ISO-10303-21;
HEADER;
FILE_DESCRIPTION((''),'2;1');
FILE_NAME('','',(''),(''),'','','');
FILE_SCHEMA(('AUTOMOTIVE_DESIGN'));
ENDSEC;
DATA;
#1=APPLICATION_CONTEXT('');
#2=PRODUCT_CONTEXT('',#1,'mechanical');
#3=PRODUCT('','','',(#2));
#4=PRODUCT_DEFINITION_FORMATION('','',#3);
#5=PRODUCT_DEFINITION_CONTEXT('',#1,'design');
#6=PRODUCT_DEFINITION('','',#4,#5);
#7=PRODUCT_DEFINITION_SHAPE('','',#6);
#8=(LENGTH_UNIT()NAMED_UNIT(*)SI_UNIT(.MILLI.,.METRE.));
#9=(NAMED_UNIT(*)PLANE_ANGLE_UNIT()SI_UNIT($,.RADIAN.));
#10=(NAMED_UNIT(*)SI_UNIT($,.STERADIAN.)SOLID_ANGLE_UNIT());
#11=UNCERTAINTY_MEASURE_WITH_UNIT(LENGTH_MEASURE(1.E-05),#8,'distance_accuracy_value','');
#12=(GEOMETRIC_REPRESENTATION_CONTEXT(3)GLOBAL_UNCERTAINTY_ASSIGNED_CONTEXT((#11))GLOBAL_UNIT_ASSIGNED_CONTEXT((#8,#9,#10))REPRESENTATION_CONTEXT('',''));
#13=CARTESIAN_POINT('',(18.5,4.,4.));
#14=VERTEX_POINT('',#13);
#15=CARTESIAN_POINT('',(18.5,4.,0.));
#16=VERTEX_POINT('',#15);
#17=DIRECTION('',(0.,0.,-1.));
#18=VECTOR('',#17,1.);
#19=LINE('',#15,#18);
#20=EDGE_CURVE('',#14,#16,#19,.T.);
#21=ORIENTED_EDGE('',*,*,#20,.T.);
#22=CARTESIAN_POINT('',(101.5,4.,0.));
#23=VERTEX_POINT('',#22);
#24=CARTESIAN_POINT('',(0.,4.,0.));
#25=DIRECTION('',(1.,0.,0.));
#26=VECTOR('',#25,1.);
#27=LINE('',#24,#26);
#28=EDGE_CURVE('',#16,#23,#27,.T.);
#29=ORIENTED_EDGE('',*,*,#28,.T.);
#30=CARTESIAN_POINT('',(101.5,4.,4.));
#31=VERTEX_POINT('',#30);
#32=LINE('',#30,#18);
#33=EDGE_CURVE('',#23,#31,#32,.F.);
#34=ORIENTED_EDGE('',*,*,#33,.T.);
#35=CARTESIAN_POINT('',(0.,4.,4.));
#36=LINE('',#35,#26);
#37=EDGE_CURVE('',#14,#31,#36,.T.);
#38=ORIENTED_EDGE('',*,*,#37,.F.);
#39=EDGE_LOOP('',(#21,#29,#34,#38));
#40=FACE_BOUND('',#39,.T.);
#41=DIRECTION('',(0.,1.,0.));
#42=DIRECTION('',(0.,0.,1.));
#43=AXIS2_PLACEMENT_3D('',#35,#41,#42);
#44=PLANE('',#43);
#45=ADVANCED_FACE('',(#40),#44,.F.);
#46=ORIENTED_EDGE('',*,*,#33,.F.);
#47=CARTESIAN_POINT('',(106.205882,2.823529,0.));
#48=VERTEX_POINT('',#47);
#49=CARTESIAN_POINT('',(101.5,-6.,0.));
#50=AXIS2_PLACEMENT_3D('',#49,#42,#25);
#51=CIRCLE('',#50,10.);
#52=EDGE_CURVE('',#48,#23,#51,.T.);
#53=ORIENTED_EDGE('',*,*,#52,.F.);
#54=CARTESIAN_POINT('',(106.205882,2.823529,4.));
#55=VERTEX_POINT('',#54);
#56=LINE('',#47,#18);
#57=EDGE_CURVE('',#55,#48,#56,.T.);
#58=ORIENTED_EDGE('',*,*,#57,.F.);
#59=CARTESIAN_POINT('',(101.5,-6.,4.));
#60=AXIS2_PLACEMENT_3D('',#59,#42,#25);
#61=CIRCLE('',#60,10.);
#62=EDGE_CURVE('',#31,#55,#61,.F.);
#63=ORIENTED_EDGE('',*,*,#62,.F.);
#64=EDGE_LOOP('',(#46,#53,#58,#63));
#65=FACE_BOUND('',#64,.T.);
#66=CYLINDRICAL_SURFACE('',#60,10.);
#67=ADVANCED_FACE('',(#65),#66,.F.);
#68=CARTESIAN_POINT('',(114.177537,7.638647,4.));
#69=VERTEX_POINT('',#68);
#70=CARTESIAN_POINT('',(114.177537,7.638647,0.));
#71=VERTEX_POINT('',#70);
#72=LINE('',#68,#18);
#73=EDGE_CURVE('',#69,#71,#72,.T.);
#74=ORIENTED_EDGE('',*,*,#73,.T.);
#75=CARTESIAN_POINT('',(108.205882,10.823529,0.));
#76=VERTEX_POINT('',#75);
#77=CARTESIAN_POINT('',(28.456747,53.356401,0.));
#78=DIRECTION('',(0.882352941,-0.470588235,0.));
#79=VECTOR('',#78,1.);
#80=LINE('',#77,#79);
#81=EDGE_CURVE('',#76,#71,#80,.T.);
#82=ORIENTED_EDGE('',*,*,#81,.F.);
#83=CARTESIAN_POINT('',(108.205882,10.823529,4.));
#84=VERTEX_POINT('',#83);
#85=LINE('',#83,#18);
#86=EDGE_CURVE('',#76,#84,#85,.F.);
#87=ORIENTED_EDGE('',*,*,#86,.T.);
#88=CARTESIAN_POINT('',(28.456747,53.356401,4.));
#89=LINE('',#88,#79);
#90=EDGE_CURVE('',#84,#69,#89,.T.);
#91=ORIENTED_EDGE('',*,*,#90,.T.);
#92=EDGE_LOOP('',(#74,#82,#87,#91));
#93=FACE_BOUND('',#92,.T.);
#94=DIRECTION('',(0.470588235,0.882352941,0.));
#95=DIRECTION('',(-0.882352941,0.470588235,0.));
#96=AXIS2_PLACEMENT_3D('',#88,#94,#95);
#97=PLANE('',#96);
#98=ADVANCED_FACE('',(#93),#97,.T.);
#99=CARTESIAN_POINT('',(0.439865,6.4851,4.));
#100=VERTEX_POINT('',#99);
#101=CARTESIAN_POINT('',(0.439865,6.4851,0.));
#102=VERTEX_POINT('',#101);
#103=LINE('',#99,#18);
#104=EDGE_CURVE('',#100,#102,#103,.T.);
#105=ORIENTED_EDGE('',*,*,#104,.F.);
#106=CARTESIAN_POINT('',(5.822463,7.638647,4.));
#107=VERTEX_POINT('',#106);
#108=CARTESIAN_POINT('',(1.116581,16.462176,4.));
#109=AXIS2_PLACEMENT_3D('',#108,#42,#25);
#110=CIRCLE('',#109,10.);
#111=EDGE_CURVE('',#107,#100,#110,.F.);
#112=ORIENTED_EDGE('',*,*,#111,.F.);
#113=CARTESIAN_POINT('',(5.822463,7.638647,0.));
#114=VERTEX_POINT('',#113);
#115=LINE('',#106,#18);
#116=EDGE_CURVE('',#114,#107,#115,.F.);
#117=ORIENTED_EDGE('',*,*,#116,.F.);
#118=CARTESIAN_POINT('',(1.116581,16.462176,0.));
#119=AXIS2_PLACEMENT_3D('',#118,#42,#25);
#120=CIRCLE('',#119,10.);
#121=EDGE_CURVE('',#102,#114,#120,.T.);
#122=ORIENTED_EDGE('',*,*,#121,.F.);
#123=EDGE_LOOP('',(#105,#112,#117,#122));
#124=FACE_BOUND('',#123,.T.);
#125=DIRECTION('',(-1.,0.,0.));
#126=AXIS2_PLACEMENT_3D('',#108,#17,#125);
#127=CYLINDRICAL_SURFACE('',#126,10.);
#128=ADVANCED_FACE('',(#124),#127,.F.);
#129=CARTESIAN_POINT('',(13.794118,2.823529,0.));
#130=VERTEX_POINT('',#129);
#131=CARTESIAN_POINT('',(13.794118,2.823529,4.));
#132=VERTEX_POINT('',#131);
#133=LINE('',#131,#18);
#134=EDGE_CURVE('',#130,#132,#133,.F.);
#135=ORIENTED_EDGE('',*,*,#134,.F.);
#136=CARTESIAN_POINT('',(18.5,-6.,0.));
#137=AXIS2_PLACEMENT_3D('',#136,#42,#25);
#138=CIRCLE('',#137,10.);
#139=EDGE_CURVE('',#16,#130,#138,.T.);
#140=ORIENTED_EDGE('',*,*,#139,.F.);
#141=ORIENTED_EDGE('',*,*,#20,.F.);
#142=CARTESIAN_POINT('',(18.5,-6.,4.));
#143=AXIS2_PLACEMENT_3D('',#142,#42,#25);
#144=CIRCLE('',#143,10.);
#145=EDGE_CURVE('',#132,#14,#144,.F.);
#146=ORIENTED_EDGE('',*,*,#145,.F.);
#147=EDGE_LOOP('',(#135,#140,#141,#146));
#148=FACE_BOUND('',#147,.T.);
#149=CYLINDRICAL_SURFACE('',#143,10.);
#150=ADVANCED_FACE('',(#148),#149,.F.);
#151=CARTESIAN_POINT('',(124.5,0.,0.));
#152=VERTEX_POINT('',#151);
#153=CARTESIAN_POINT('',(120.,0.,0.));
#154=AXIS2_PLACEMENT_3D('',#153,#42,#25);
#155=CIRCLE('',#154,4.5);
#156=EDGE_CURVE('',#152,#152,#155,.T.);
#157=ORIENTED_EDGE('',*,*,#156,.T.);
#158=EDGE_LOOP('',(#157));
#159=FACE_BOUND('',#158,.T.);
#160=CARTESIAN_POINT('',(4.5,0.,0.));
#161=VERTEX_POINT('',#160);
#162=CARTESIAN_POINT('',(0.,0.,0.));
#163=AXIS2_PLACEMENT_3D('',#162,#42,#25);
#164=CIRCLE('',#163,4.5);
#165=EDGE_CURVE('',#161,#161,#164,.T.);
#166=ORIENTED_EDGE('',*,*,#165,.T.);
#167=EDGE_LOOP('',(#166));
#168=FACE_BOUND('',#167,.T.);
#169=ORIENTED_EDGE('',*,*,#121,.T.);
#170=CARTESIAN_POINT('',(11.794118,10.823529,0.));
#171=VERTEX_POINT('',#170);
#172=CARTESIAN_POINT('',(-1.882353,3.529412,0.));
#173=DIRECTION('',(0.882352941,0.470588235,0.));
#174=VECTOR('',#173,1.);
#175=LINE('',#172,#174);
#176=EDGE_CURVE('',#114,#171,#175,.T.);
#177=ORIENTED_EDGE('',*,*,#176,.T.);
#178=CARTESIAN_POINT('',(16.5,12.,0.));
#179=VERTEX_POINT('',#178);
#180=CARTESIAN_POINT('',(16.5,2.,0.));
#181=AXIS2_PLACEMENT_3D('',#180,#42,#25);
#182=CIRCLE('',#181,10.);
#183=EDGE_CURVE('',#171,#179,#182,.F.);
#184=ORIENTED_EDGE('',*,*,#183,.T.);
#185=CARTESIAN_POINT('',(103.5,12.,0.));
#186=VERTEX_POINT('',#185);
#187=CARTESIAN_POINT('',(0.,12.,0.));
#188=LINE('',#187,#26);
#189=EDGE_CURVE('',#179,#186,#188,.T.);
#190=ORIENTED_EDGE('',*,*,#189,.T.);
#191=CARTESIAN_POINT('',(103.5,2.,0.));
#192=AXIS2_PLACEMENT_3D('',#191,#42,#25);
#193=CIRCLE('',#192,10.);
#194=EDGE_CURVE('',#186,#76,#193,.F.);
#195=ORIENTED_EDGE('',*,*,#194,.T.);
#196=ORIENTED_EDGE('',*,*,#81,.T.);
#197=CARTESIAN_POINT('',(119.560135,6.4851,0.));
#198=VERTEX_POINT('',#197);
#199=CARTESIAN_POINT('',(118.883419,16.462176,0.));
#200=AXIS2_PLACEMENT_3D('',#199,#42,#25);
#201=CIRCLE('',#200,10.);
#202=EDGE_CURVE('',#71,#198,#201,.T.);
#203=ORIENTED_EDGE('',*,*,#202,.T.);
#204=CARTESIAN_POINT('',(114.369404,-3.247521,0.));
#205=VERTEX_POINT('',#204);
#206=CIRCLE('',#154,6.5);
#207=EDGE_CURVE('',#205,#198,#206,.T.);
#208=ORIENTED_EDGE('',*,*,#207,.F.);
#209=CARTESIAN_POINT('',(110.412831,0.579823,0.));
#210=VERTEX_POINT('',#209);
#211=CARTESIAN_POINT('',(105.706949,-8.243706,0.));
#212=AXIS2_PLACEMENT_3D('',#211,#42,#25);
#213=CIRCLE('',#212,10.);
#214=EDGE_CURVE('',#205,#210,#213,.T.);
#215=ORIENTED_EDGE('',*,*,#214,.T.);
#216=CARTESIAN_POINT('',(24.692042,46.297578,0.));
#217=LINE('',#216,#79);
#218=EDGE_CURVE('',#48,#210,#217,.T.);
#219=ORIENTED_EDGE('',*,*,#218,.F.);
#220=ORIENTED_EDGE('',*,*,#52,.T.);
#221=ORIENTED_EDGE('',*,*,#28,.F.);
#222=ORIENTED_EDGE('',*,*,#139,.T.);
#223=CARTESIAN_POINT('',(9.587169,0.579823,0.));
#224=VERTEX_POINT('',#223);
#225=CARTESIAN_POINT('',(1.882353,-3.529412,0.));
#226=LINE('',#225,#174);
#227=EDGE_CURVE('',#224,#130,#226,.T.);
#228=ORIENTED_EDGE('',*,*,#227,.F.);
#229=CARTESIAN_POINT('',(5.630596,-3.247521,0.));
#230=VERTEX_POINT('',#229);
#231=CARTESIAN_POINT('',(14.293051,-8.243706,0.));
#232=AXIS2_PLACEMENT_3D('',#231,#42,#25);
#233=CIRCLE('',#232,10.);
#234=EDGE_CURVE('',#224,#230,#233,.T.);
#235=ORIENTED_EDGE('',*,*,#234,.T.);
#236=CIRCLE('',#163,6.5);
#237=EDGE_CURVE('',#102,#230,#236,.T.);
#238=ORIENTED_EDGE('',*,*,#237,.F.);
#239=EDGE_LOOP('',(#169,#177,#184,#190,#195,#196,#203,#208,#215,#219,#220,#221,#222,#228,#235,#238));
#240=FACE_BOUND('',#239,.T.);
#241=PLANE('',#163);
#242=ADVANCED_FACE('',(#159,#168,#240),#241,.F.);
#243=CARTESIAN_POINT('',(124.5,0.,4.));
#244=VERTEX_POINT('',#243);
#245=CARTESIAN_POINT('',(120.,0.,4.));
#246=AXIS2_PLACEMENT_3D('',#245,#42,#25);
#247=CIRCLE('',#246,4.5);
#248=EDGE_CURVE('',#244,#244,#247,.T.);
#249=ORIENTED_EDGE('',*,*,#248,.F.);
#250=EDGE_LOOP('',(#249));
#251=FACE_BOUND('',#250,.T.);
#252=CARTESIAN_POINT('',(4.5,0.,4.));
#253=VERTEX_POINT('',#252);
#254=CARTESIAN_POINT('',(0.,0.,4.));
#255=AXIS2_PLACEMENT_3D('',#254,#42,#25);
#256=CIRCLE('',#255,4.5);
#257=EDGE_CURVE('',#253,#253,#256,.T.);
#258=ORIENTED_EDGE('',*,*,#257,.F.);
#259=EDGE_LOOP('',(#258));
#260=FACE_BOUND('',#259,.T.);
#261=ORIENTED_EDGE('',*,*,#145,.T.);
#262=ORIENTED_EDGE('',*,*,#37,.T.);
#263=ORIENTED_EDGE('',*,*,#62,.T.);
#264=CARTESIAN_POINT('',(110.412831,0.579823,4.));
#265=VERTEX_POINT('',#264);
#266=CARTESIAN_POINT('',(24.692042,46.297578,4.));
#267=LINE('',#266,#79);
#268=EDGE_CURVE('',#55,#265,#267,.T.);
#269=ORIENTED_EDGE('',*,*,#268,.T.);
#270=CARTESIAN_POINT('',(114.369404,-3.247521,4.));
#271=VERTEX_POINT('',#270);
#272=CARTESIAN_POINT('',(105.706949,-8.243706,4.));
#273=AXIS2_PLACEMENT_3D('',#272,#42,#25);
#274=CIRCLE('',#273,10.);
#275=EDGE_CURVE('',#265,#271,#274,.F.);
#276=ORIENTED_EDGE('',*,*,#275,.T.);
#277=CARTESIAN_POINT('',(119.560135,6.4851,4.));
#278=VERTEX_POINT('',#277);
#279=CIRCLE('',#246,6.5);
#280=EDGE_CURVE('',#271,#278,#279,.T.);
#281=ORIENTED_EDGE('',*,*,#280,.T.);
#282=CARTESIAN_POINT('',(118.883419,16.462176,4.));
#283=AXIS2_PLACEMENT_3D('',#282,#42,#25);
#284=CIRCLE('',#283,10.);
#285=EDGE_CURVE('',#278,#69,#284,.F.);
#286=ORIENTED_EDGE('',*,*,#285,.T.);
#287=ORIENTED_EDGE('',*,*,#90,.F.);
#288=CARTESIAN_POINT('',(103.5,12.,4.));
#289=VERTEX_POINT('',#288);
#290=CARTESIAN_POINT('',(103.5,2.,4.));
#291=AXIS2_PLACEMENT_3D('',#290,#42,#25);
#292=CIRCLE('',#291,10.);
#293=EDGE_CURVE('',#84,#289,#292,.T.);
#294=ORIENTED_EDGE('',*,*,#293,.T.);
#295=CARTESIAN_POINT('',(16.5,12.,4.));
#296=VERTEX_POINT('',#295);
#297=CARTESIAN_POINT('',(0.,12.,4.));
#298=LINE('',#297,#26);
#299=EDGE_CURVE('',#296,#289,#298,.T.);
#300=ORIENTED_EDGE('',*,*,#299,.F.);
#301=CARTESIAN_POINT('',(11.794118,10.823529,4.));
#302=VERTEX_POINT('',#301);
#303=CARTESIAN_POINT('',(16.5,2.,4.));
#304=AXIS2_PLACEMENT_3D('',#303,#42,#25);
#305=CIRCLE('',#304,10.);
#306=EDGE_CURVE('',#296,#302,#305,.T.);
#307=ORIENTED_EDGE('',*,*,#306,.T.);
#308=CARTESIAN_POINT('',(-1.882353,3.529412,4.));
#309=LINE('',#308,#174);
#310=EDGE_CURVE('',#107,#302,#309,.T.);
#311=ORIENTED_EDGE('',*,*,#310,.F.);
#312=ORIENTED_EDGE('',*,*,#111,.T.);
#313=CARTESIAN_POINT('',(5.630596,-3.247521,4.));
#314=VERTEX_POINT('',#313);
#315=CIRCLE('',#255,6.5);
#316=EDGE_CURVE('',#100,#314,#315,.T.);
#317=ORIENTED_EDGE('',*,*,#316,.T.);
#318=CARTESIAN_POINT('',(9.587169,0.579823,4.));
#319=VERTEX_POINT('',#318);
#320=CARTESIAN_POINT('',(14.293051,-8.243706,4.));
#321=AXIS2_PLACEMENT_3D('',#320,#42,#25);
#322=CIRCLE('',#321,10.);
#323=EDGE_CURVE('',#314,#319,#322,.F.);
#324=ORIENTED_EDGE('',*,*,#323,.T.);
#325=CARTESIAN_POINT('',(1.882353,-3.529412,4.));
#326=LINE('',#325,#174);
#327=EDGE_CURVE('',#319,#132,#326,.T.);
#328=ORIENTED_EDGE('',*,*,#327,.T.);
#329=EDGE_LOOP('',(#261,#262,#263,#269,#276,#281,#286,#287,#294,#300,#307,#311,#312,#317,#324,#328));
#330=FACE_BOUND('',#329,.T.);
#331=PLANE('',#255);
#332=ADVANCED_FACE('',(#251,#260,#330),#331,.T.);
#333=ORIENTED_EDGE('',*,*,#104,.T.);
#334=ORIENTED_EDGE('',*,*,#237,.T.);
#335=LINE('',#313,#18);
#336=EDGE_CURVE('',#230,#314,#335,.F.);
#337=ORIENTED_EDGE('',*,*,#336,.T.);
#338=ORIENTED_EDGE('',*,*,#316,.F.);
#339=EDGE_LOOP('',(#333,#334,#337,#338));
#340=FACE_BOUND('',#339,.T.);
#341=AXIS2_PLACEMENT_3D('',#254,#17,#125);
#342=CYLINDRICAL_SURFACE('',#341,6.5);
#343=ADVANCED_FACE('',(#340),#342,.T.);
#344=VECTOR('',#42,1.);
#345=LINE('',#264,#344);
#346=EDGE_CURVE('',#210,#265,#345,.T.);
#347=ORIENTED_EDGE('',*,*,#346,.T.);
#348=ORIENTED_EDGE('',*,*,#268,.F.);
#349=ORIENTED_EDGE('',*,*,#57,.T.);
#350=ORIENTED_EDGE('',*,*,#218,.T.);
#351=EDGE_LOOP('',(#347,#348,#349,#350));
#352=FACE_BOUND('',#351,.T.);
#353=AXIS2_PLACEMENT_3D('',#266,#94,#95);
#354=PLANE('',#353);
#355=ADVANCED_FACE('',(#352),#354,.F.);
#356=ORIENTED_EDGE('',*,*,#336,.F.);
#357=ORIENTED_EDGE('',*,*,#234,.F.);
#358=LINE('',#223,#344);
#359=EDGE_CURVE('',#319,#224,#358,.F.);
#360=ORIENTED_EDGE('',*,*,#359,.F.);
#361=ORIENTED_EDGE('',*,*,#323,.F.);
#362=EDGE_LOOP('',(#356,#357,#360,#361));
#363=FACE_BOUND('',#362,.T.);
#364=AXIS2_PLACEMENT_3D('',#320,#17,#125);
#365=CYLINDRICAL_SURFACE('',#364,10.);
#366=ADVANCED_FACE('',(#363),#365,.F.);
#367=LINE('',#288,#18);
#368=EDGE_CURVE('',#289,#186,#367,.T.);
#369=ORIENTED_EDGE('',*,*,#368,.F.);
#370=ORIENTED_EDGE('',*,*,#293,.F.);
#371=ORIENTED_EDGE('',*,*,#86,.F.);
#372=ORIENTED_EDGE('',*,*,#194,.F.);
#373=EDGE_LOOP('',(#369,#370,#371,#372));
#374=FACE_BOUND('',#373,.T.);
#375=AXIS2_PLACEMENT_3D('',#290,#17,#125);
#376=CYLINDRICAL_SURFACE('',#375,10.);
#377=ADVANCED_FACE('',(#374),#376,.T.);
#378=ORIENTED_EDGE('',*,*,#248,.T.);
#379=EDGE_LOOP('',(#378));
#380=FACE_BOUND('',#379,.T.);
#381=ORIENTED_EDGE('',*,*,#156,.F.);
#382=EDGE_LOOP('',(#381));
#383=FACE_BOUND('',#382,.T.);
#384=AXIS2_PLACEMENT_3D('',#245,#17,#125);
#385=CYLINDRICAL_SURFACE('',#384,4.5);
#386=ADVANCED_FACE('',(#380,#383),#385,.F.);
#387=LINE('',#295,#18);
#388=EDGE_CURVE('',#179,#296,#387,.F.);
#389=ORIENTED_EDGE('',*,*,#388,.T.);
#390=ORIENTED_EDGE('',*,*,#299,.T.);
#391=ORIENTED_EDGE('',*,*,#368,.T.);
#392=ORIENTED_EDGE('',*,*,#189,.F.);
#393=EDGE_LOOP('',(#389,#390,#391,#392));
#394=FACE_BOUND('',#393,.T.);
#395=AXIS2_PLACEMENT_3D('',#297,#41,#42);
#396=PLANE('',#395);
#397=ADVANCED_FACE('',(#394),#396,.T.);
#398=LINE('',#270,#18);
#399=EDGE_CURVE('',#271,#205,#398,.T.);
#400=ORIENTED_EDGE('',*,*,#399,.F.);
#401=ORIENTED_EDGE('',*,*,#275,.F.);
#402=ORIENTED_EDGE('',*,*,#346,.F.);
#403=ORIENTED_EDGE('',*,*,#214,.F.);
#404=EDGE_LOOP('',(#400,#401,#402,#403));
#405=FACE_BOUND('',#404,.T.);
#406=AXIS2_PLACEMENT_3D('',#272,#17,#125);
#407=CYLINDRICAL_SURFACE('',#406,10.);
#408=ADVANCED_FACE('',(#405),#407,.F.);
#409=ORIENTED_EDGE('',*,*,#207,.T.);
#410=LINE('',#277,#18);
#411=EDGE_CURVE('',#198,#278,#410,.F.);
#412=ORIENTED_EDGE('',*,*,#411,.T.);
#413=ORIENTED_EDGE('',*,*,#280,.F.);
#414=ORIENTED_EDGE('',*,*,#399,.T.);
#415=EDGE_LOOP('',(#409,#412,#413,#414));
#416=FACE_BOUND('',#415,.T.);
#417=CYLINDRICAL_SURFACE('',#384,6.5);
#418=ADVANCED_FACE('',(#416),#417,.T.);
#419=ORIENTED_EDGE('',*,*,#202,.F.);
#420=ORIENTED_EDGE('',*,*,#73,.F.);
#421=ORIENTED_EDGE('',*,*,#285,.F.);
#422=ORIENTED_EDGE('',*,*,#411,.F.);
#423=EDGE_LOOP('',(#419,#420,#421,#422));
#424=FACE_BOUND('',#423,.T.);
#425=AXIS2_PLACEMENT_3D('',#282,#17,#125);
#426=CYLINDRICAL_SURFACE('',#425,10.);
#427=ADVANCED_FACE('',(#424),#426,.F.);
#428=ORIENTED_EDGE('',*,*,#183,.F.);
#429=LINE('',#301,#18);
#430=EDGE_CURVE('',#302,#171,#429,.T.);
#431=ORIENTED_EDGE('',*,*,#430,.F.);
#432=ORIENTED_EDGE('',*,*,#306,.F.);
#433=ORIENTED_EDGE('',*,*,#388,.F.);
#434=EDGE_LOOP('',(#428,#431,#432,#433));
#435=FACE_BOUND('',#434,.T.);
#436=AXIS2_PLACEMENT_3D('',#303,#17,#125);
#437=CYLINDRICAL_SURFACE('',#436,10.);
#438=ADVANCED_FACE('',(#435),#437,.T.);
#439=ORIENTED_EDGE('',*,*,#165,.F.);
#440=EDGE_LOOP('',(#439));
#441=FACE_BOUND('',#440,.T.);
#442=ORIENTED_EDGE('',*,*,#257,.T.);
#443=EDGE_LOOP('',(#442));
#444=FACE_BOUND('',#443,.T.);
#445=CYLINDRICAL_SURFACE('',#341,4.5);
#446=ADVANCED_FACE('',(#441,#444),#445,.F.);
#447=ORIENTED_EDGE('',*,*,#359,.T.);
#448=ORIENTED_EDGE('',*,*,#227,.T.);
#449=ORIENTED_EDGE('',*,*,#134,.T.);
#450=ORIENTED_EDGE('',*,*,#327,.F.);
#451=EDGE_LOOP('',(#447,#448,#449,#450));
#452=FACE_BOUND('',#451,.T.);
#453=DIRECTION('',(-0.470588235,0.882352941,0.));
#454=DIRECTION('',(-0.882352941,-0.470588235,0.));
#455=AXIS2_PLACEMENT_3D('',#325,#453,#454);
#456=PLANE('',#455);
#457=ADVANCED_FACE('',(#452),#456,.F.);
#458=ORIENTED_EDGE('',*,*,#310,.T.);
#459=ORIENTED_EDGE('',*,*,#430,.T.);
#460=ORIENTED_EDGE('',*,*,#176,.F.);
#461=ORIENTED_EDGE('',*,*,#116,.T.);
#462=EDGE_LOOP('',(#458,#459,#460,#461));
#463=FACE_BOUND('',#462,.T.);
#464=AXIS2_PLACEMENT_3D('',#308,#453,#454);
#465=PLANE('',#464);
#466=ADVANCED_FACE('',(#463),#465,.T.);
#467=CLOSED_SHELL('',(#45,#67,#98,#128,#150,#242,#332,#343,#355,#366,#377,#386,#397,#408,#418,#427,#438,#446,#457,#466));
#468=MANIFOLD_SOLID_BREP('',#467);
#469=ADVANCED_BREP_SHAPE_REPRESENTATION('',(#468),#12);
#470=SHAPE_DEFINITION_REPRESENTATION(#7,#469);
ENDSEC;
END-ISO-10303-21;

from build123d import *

# Parameters (mm, degrees)
SKETCH1_R           = 6.5
SKETCH1_R_2         = 4.5
BOSS_EXTRUDE1_DEPTH = 4
FILLET1_R           = 10


with BuildPart() as part:
    # Sketch1 → Boss-Extrude1 (new body)
    # profile 1 of 3: a face of its own
    with BuildSketch(Plane.XY):
        with BuildLine():
            ThreePointArc((6.5, 0), (6.475721286, -0.561278744), (6.403066514, -1.118364526))
            Line((6.403066514, -1.118364526), (16, 4))
            Line((16, 4), (104, 4))
            Line((104, 4), (113.596933486, -1.118364526))
            ThreePointArc((113.596933486, -1.118364526), (114.264705882, 3.058823529), (117.361639368, 5.940459004))
            Line((117.361639368, 5.940459004), (106, 12))
            Line((106, 12), (14, 12))
            Line((14, 12), (2.638360632, 5.940459004))
            ThreePointArc((2.638360632, 5.940459004), (5.449740549, 3.542644203), (6.5, 0))
        make_face()
    # profile 2 of 3: a face of its own
    with BuildSketch(Plane.XY):
        Circle(SKETCH1_R)
        Circle(SKETCH1_R_2, mode=Mode.SUBTRACT)
    # profile 3 of 3: a face of its own
    with BuildSketch(Plane.XY):
        with Locations((120, 0)):
            Circle(SKETCH1_R)
        with Locations((120, 0)):
            Circle(SKETCH1_R_2, mode=Mode.SUBTRACT)
    extrude(amount=BOSS_EXTRUDE1_DEPTH)

    # Fillet1
    fillet1_edges = [part.edges().sort_by_distance(p)[0] for p in [
        (104, 4, 2),
        (16, 4, 2),
        (6.403066514, -1.118364526, 2),
        (2.638360632, 5.940459004, 2),
        (14, 12, 2),
        (106, 12, 2),
        (117.361639368, 5.940459004, 2),
        (113.596933486, -1.118364526, 2),
    ]]
    fillet(fillet1_edges, radius=FILLET1_R)


solid = part.part
